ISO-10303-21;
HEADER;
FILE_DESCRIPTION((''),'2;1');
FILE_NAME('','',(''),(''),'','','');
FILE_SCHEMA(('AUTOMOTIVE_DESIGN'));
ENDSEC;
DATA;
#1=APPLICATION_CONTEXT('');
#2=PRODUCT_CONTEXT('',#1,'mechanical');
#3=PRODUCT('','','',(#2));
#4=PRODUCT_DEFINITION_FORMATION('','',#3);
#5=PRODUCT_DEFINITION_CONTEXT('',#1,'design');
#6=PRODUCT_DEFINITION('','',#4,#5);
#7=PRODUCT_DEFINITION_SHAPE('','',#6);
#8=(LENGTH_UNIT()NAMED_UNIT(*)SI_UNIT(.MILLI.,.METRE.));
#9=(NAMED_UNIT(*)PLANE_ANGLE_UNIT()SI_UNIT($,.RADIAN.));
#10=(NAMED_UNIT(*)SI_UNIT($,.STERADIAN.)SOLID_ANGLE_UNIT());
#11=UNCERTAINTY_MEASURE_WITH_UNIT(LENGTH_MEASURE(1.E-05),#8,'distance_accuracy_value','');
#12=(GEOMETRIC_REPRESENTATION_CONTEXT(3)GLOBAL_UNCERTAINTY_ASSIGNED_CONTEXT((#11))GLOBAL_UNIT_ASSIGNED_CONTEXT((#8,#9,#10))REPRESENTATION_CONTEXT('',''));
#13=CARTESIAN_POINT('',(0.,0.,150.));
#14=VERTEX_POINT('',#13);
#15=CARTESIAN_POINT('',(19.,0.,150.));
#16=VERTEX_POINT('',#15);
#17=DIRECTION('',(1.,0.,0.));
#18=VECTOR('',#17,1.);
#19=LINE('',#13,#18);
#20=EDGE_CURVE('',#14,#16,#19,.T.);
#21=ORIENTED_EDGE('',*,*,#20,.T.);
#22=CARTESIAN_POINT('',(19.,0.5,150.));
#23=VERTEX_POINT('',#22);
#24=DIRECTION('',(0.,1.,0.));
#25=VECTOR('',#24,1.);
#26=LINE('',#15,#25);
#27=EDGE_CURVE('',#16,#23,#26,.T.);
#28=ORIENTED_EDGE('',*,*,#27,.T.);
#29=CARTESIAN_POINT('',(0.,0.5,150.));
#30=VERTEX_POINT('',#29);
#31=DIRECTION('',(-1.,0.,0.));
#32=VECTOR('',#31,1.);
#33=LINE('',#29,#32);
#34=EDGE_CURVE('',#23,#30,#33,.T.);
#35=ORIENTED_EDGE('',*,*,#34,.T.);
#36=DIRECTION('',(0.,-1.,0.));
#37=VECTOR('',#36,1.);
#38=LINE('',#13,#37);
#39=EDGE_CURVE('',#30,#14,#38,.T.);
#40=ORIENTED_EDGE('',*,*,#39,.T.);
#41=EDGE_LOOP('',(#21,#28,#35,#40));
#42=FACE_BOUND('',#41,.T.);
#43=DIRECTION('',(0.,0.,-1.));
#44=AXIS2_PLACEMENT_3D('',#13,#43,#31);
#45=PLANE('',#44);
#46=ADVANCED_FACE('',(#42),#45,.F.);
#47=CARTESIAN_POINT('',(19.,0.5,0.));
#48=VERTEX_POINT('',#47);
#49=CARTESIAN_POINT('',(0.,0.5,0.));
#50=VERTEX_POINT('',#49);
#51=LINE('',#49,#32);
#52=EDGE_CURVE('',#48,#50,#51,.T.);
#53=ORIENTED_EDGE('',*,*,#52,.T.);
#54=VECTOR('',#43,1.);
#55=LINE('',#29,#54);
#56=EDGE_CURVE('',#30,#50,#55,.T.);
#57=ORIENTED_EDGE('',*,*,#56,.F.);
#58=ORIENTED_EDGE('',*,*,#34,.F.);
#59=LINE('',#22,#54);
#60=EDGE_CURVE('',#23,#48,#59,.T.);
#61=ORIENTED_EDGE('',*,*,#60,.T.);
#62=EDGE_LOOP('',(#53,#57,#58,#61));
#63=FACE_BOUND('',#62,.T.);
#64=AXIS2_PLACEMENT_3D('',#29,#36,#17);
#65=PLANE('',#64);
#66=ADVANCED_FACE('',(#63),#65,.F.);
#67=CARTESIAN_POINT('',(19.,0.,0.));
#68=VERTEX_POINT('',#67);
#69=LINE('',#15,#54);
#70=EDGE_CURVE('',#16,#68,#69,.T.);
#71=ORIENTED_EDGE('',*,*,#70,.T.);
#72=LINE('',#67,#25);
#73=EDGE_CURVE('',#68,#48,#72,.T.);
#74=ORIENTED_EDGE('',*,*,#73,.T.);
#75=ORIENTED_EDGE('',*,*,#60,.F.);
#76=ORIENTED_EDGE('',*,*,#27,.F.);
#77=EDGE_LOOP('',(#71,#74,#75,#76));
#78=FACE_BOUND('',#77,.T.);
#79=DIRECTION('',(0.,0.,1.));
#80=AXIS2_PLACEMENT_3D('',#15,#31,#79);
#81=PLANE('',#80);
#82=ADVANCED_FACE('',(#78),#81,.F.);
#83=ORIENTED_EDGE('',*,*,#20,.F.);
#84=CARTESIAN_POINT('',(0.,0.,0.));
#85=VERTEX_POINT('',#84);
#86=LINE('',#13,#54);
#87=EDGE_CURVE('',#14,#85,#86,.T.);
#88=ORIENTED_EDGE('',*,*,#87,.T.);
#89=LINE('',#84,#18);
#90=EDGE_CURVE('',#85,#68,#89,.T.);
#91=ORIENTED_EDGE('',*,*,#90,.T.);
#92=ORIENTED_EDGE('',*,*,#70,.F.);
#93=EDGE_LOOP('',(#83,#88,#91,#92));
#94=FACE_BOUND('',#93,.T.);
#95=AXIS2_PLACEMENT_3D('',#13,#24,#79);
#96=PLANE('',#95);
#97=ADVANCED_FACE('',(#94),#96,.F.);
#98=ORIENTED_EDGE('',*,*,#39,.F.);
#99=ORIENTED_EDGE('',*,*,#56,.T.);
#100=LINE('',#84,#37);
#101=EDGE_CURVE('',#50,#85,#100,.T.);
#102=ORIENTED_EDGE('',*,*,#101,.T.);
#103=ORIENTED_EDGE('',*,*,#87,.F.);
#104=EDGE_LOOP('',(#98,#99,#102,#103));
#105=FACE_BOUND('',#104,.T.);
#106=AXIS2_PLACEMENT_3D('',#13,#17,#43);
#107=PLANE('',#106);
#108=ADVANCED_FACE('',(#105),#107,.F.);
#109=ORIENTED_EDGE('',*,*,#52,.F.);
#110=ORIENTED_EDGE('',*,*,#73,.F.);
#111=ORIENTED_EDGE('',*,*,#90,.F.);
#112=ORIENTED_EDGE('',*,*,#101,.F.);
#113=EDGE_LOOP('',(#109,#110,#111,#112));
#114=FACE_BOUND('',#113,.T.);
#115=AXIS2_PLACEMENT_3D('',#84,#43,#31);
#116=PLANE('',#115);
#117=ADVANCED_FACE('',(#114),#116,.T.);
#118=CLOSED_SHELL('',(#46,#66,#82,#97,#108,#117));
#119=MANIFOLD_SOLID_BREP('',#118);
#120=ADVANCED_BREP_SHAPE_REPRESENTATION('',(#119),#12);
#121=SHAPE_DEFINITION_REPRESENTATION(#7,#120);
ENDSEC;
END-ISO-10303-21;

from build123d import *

# Parameters (mm, degrees)
ESBO_O1_W                = 19
ESBO_O1_H                = 0.5
RESSALTO_EXTRUS_O1_DEPTH = 150


with BuildPart() as part:
    # Esboço1 → Ressalto-extrusão1 (new body)
    with BuildSketch(Plane.XY):
        with Locations((9.5, 0.25)):
            Rectangle(ESBO_O1_W, ESBO_O1_H)
    extrude(amount=RESSALTO_EXTRUS_O1_DEPTH)


solid = part.part
